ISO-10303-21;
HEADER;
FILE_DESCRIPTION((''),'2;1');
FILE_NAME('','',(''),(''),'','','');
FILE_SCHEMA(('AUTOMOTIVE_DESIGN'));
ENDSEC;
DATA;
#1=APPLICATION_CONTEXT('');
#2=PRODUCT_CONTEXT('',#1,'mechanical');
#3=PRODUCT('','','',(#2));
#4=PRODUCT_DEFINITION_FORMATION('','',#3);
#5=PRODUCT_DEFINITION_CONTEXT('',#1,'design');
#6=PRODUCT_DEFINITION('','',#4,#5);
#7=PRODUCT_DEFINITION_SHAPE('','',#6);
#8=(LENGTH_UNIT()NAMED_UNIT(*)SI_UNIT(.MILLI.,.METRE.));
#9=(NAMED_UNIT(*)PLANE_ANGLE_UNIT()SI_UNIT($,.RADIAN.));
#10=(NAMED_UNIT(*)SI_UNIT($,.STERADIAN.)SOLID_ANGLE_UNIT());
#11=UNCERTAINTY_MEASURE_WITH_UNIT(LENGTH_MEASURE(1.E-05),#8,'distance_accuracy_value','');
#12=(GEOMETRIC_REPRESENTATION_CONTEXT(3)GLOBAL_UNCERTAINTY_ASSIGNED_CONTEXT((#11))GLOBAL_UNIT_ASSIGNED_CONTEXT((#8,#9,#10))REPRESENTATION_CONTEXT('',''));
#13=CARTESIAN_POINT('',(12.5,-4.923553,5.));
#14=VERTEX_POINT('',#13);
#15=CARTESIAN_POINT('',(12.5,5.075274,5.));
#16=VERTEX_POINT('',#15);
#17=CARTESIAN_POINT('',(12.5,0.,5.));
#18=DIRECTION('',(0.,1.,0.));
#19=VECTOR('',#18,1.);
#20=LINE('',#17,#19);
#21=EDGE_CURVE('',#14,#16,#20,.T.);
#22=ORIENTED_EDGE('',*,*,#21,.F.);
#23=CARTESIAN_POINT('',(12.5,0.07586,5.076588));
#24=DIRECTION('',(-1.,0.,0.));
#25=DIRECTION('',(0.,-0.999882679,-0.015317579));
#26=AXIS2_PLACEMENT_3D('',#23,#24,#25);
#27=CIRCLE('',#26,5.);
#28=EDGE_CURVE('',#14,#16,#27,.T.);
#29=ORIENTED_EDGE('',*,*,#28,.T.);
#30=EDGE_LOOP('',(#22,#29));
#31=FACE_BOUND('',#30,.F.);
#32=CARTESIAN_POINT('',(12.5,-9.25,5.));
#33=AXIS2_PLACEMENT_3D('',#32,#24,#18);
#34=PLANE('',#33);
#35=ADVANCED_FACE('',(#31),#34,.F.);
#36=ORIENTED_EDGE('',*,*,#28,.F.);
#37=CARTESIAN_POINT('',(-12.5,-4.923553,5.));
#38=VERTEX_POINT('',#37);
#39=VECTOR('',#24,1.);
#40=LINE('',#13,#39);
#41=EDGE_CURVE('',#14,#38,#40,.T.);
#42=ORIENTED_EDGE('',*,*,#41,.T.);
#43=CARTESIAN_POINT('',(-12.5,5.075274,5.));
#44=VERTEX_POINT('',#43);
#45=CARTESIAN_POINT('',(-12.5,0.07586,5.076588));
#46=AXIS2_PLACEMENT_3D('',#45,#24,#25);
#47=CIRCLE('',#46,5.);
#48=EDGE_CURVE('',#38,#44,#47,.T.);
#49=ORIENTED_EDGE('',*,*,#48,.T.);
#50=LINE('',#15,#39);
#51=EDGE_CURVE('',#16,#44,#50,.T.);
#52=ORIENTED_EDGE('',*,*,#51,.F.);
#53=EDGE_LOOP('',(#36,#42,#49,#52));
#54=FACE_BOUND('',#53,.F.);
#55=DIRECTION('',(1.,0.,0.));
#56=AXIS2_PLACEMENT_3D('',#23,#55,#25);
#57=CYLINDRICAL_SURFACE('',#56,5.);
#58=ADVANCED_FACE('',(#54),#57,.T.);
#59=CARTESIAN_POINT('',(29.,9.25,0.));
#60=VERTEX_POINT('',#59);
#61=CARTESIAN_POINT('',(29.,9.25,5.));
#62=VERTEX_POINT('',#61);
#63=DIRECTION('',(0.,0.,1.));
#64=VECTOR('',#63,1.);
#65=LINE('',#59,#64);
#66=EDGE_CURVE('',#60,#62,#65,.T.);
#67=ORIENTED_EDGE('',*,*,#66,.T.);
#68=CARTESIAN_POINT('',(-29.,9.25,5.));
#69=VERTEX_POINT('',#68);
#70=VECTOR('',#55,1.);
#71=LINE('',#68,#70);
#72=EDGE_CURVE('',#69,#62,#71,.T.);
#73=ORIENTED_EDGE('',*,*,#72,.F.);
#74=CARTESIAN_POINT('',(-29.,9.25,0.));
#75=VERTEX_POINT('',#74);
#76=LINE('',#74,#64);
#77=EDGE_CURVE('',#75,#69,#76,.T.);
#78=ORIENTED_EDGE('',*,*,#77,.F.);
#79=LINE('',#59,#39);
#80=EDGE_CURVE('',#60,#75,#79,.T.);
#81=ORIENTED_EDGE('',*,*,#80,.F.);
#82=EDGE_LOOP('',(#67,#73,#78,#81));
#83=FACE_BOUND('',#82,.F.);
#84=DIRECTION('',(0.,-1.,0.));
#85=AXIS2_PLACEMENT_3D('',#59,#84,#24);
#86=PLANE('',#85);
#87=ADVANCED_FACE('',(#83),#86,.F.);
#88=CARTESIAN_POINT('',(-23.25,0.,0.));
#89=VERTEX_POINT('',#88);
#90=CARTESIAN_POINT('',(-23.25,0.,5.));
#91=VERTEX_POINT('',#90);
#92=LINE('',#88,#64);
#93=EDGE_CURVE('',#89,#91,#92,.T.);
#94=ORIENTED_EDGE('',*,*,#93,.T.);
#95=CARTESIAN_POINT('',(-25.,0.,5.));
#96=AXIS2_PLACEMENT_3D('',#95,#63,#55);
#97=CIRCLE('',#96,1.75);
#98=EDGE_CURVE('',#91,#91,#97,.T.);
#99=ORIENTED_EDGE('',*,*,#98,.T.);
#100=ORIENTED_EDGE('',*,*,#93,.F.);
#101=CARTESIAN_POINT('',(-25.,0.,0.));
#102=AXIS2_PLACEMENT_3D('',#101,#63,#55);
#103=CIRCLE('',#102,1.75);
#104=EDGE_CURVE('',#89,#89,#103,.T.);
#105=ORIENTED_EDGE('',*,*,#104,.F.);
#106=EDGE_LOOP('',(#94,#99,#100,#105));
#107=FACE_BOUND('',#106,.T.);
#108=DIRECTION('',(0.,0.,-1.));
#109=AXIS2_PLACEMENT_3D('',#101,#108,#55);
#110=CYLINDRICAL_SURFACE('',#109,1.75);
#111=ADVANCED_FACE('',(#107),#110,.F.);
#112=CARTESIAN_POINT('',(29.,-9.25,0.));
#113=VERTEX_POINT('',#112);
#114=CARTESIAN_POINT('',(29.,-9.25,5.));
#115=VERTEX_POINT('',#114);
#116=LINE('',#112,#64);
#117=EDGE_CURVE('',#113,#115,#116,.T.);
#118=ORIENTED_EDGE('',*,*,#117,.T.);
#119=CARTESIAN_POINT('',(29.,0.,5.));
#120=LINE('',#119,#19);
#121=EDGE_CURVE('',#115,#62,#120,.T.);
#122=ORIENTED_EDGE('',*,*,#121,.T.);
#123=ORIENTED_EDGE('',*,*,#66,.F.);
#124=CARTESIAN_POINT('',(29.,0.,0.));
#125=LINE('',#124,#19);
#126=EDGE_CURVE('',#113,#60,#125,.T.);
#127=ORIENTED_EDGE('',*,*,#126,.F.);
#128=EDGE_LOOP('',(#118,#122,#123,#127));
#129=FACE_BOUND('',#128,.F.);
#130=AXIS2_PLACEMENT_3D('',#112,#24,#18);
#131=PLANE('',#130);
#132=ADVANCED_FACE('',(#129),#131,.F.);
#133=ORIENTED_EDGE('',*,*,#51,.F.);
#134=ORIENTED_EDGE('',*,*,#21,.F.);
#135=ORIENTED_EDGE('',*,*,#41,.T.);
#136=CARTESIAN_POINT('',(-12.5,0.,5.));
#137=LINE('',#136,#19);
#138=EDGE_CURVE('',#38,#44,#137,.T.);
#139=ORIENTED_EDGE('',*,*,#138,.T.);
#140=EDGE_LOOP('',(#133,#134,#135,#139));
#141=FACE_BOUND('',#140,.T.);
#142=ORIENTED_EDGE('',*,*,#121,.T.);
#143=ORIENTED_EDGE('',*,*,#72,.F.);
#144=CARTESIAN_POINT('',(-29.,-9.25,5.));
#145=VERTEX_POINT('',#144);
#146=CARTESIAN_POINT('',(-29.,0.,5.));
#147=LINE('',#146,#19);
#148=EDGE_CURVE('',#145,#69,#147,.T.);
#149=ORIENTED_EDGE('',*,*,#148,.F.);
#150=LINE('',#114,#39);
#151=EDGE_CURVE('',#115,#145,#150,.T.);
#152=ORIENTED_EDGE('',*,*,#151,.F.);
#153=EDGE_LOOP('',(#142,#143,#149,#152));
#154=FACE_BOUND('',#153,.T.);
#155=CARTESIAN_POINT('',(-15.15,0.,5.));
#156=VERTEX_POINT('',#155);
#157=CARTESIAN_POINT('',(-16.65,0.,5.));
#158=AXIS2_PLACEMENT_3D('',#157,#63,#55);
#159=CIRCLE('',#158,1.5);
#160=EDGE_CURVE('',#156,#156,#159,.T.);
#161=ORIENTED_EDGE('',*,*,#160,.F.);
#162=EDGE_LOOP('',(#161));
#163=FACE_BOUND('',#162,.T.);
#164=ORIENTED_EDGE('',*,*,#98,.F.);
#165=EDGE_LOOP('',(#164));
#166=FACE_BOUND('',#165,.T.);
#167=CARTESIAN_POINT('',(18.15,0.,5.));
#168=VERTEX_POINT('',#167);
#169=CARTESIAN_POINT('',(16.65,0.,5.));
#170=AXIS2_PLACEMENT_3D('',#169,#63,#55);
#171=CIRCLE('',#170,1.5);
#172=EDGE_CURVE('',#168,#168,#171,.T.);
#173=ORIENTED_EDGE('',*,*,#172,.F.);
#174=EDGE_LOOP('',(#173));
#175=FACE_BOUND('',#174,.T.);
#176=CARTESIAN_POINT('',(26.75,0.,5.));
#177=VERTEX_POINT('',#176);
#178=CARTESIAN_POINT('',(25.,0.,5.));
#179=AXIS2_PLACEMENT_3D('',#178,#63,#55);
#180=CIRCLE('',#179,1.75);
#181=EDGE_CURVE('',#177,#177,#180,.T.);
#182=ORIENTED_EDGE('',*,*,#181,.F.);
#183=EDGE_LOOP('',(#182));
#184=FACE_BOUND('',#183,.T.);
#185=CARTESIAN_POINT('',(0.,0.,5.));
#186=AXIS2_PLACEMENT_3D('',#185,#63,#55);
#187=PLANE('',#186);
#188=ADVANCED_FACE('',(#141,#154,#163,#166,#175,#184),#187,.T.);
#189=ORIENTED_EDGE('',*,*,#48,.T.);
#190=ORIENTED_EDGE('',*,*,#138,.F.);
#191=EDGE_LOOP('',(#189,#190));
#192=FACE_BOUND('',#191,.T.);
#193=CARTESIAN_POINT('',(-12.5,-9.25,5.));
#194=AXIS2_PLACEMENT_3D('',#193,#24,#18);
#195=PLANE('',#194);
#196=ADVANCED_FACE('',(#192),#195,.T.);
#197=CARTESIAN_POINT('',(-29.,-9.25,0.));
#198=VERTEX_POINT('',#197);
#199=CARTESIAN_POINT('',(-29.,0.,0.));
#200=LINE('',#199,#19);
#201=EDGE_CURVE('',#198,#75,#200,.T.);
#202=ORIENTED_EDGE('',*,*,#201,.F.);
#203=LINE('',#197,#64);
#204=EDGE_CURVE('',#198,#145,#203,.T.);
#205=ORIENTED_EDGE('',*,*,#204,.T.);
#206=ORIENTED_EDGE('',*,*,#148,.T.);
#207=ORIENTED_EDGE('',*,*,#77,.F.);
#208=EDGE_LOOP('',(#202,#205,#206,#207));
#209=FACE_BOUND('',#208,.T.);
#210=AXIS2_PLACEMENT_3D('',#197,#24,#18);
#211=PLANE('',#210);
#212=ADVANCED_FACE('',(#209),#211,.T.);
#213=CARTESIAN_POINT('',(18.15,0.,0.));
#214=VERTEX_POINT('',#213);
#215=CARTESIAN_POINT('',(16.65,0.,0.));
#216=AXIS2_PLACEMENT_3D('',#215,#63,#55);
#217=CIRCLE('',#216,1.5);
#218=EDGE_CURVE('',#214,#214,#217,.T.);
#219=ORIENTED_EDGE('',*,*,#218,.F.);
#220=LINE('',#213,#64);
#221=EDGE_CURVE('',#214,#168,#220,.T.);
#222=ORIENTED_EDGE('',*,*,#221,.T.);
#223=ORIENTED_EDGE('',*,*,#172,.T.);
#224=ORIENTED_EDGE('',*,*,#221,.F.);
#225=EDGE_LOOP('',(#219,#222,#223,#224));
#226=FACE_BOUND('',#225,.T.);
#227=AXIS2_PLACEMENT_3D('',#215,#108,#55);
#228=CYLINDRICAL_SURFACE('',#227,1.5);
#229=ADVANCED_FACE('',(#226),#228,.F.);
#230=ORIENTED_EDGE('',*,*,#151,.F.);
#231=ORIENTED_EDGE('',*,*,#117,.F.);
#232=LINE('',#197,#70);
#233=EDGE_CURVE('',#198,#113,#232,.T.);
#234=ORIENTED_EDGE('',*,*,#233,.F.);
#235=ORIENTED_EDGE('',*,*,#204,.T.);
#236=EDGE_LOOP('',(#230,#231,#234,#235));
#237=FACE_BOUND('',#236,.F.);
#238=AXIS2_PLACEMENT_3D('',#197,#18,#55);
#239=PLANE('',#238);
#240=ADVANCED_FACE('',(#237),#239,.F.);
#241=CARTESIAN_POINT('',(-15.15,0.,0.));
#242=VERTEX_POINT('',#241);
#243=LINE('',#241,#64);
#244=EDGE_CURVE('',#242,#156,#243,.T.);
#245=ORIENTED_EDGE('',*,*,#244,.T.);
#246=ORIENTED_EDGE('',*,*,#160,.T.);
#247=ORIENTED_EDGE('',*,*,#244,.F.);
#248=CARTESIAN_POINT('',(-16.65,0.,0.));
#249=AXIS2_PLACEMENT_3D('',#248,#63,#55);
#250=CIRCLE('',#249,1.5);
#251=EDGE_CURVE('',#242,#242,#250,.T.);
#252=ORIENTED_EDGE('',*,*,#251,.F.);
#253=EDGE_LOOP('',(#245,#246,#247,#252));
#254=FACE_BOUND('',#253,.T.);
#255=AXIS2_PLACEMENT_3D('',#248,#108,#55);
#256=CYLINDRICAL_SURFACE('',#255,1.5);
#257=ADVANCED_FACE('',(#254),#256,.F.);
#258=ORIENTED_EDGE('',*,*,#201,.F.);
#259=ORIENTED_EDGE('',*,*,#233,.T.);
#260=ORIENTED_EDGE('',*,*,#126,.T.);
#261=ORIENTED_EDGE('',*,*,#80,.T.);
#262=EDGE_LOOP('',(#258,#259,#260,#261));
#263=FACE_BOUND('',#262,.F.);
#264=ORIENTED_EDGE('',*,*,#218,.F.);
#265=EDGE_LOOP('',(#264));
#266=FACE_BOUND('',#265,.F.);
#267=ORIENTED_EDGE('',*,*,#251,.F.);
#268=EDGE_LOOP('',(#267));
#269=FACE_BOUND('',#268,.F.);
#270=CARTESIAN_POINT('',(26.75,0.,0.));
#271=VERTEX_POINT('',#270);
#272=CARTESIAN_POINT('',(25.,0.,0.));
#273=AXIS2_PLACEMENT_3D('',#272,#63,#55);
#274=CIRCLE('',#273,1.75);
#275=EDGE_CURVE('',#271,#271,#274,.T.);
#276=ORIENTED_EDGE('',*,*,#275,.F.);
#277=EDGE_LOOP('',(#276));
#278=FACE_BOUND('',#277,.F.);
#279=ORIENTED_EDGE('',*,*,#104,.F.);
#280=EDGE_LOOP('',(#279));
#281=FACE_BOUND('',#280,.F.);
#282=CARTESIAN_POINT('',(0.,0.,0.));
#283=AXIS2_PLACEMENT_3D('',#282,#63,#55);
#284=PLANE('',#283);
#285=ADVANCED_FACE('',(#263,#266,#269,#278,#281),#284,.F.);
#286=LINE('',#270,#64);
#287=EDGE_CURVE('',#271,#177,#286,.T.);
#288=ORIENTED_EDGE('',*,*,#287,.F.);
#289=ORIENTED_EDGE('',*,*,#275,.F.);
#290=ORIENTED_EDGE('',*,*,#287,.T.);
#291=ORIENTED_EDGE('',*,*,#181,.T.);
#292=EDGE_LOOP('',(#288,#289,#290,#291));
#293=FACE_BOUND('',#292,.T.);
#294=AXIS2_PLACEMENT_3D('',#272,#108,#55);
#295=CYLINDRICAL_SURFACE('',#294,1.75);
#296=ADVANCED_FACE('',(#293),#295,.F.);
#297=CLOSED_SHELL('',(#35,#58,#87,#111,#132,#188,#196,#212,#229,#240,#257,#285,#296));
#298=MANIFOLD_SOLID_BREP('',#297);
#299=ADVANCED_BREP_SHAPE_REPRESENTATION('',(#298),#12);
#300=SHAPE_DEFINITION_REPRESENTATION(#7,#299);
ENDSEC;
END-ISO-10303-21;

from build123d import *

# Parameters (mm, degrees)
F0_W     = 38
F0_H     = 18.5
F0_R     = 1.5
F0_W_2   = 10
F0_R_2   = 1.75
F1_DEPTH = 5
F2_W     = 25
F2_H     = 18.5
F3_DEPTH = 9.25
F5_DEPTH = 25


with BuildPart() as f1:
    # F0 (on Top) → F1 (new body)
    with BuildSketch(Plane.XY):
        Rectangle(F0_W, F0_H)
        with Locations((-16.65, 0)):
            Circle(F0_R, mode=Mode.SUBTRACT)
        with Locations((16.65, 0)):
            Circle(F0_R, mode=Mode.SUBTRACT)
        with Locations((24, 0)):
            Rectangle(F0_W_2, F0_H)
        with Locations((25, 0)):
            Circle(F0_R_2, mode=Mode.SUBTRACT)
        with Locations((-24, 0)):
            Rectangle(F0_W_2, F0_H)
        with Locations((-25, 0)):
            Circle(F0_R_2, mode=Mode.SUBTRACT)
    extrude(amount=F1_DEPTH)

    # F2 (on face) → F3 (join)
    with BuildSketch(Plane.XY.offset(5)):
        Rectangle(F2_W, F2_H)
    extrude(amount=F3_DEPTH)

    # F4 (on face) → F5 (cut)
    with BuildSketch(Plane.YZ.offset(12.5)):
        with BuildLine():
            ThreePointArc((-4.923553, 5), (0.07586, 10.076588), (5.075274, 5))
            Line((5.075274, 5), (9.25, 5))
            Line((9.25, 5), (9.25, 14.25))
            Line((9.25, 14.25), (-9.25, 14.25))
            Line((-9.25, 14.25), (-9.25, 5))
            Line((-9.25, 5), (-4.923553, 5))
        make_face()
    extrude(amount=-F5_DEPTH, mode=Mode.SUBTRACT)


solid = f1.part
